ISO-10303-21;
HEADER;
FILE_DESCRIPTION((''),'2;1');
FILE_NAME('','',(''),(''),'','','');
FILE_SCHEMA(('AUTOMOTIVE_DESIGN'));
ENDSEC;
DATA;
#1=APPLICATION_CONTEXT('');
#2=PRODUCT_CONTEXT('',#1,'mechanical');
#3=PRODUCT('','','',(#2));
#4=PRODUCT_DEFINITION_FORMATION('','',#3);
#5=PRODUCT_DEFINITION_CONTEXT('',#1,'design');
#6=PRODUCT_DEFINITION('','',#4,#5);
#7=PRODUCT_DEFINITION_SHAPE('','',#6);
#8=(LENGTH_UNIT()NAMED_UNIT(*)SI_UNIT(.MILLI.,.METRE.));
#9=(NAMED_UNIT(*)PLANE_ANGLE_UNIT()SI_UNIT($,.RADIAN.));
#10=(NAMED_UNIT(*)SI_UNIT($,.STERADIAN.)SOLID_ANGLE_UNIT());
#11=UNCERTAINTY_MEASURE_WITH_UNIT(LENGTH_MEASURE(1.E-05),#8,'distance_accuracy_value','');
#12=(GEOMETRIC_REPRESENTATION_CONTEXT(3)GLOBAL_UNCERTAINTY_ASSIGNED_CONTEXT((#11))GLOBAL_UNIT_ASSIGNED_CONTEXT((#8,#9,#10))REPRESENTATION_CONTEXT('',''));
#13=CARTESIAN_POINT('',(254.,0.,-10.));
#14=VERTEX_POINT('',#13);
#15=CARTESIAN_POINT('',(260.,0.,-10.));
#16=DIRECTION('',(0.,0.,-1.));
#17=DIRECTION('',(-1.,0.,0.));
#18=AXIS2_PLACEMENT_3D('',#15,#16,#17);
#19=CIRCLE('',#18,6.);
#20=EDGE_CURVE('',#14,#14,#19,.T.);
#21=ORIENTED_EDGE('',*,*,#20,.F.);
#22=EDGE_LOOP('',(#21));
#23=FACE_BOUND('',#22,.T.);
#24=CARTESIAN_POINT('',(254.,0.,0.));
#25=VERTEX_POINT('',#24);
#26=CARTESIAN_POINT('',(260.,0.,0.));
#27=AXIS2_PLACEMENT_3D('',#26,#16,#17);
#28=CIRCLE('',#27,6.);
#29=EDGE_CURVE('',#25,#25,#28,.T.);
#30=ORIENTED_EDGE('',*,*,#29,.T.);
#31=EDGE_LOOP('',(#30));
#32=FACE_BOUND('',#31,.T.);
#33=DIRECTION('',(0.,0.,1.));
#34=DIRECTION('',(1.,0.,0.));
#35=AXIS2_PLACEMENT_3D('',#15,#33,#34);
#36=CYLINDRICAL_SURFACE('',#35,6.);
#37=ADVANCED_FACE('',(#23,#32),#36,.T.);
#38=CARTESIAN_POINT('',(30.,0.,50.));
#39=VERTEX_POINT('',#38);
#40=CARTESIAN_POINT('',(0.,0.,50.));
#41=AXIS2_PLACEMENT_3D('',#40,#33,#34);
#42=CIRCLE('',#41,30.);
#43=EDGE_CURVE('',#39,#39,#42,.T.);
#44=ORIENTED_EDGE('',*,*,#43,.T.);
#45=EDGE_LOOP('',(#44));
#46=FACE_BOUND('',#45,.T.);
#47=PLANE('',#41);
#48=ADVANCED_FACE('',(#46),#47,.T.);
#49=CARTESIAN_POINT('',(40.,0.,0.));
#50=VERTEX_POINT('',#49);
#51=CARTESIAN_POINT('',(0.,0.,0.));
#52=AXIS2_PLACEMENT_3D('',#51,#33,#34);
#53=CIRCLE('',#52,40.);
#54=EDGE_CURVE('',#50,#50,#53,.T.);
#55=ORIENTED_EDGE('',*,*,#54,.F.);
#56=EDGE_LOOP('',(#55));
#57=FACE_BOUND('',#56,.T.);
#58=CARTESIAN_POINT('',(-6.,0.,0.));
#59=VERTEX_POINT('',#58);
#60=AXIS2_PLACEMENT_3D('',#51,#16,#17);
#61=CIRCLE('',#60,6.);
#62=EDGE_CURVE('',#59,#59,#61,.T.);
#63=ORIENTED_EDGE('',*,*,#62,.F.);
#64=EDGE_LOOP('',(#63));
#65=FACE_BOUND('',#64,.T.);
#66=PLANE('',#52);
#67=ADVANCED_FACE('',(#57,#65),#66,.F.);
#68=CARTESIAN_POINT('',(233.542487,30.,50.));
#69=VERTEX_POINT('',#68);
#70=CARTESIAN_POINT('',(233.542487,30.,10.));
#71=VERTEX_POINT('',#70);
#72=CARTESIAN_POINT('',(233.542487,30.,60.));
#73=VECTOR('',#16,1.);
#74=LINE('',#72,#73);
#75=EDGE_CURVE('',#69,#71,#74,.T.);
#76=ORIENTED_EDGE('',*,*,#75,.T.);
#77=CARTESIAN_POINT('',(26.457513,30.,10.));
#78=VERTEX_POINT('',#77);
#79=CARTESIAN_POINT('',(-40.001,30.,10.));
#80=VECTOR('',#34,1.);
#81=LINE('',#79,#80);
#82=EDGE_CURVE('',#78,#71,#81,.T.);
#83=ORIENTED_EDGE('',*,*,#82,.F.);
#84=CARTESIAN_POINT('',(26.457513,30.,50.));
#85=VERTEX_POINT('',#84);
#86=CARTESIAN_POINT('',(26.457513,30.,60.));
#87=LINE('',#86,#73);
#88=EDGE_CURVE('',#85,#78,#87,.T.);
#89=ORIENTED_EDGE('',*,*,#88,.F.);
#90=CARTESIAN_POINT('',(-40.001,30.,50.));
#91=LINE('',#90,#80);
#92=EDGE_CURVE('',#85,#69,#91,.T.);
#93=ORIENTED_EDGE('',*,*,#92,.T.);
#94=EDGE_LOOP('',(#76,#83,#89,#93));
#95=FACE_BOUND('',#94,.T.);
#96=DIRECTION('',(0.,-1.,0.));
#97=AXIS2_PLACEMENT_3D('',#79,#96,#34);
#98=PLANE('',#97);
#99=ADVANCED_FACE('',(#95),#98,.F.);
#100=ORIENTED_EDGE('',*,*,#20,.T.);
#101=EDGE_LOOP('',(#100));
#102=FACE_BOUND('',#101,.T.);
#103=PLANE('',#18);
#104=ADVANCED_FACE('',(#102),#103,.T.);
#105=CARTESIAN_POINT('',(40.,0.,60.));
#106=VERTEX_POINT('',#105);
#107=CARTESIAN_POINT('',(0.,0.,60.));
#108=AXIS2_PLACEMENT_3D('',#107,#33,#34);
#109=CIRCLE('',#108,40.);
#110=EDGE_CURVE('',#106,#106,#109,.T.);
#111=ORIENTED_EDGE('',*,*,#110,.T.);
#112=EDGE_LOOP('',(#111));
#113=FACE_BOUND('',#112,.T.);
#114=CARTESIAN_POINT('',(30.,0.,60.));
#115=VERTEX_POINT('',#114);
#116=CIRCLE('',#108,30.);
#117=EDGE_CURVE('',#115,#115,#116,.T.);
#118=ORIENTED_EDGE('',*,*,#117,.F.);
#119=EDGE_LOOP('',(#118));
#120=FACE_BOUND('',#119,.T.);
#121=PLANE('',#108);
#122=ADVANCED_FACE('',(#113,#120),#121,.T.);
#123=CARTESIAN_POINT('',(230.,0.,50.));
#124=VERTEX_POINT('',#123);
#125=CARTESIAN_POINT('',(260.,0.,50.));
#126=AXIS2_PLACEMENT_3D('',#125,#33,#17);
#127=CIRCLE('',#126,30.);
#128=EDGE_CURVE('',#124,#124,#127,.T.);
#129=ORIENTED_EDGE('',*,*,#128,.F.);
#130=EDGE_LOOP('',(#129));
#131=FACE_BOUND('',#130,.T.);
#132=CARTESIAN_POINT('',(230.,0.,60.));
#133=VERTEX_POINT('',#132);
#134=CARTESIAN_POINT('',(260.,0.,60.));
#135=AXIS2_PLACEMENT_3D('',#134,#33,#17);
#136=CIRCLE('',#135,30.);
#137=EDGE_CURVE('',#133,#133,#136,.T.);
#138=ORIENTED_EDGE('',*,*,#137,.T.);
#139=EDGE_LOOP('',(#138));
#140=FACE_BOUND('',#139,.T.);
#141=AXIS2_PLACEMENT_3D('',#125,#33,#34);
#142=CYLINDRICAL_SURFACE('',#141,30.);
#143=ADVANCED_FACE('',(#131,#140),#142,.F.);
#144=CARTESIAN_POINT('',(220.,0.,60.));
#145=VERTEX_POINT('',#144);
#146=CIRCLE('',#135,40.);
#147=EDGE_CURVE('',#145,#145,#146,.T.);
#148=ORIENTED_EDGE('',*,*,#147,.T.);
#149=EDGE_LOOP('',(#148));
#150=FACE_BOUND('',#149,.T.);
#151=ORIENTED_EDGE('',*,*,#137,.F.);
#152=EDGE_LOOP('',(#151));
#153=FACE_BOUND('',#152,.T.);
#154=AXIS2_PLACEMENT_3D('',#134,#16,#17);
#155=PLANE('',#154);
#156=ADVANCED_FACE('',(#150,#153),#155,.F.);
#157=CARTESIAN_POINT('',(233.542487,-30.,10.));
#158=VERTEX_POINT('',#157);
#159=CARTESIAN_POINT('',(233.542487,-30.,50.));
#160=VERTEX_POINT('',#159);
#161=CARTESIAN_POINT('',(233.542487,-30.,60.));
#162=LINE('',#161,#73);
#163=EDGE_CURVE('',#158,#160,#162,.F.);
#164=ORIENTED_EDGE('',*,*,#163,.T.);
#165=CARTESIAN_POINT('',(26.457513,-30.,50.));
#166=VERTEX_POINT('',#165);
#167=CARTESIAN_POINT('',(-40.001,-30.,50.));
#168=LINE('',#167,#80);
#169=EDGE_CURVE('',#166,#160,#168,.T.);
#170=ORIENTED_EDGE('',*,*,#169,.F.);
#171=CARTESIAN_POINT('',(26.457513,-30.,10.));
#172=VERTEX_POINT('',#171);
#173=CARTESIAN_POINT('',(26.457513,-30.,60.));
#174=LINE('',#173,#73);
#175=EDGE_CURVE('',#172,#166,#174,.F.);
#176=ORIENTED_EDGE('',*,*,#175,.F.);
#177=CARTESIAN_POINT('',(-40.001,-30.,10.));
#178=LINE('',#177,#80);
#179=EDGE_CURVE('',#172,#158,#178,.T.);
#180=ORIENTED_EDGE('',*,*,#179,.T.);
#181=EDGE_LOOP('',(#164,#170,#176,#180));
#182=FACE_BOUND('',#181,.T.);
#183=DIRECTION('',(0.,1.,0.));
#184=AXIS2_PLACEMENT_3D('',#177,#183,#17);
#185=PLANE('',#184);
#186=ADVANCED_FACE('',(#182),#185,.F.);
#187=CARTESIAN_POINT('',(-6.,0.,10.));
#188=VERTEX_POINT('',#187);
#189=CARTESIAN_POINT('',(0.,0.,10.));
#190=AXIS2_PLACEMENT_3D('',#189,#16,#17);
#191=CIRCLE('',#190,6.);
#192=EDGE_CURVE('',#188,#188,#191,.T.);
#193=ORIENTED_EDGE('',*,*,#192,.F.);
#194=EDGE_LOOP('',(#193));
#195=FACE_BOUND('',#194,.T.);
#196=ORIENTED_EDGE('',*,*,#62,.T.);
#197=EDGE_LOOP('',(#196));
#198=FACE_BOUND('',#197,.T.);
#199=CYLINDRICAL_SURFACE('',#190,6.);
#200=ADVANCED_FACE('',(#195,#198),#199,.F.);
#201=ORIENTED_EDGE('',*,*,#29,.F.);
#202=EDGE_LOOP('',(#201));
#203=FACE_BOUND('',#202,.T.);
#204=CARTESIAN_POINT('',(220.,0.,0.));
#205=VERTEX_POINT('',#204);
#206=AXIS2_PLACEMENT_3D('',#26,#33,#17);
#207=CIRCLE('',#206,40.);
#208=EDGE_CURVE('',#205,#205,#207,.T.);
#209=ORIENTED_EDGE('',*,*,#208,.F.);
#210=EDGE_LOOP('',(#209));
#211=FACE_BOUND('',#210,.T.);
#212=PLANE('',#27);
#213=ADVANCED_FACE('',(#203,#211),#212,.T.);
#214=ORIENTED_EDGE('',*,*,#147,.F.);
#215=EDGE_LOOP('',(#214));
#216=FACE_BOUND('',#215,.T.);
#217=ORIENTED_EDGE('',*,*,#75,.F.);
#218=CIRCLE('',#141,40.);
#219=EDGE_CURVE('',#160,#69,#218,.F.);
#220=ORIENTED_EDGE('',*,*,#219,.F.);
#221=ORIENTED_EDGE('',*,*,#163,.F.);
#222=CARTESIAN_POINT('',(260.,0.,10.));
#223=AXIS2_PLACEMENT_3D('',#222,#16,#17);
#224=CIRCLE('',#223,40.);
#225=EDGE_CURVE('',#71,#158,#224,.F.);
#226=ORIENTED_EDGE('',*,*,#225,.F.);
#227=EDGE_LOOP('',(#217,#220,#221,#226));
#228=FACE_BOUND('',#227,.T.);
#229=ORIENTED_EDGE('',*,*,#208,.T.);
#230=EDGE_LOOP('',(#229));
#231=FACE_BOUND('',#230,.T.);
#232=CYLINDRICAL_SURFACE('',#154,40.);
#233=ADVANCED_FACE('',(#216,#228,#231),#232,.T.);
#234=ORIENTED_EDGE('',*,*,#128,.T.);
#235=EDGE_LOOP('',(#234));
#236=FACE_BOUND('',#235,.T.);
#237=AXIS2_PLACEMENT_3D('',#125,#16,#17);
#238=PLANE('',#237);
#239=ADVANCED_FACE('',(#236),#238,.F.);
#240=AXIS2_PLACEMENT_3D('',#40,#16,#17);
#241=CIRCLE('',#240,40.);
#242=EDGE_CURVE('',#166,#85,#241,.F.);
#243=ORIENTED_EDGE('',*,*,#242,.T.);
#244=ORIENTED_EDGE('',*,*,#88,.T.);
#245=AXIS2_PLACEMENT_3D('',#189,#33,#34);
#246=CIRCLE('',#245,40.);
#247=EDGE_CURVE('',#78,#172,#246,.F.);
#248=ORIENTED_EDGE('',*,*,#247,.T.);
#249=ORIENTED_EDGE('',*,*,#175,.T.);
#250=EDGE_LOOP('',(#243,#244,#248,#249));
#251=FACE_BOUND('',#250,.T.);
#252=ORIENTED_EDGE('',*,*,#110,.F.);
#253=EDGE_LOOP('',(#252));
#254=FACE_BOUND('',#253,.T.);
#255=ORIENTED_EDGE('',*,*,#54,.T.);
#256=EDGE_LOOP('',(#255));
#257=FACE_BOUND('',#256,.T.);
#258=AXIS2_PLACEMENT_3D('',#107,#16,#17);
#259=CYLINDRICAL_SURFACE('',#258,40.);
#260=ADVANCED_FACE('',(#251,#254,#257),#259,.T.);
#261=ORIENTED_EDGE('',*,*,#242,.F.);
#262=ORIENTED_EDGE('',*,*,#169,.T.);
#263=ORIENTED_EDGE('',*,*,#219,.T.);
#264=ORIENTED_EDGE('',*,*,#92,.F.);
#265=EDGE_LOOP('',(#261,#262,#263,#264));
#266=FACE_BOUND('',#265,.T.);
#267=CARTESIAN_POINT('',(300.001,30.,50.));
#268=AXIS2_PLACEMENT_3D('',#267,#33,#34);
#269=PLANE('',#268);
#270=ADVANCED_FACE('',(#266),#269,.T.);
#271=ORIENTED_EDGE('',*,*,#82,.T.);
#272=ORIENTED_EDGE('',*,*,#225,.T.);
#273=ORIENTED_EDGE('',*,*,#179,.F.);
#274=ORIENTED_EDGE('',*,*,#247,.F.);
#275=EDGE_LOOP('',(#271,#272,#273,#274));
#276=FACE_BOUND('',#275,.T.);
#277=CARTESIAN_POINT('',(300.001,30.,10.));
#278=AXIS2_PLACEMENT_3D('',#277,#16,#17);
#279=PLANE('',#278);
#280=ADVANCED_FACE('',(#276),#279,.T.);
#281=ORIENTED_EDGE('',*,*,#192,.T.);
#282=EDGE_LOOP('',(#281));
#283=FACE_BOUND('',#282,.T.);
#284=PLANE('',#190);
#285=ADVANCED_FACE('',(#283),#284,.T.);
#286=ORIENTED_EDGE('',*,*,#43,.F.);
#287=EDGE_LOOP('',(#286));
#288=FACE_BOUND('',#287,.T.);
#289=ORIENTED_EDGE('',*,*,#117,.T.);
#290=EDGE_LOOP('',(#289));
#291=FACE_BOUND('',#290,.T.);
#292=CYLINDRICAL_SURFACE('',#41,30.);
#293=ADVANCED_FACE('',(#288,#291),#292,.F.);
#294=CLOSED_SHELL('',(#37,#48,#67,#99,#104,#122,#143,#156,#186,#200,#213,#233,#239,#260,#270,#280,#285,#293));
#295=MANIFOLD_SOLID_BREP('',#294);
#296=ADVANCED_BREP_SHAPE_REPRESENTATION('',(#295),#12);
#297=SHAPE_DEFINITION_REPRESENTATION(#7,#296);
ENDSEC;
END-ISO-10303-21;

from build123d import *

# Parameters (mm, degrees)
SKETCH1_R             = 40
BOSS_EXTRUDE1_DEPTH   = 60
BOSS_EXTRUDE1_2_DEPTH = 60
BOSS_EXTRUDE3_START   = -3.447986
SKETCH5_W             = 40
SKETCH5_H             = 60
BOSS_EXTRUDE3_DEPTH   = 207.084974
SKETCH3_R             = 6
CUT_EXTRUDE3_DEPTH    = 10
SKETCH4_R             = 6
BOSS_EXTRUDE4_DEPTH   = 10
SKETCH6_R             = 30
CUT_EXTRUDE4_DEPTH    = 10


with BuildPart() as part:
    # Sketch1 → Boss-Extrude1 (new body)
    with BuildSketch(Plane.XY):
        Circle(SKETCH1_R)
    extrude(amount=BOSS_EXTRUDE1_DEPTH)



with BuildPart() as body_2:
    # Sketch1 → Boss-Extrude1 2 (new body)
    with BuildSketch(Plane.XY):
        with Locations((260, 0)):
            Circle(SKETCH1_R)
    extrude(amount=BOSS_EXTRUDE1_2_DEPTH)


with BuildPart() as part_1:
    add(part.part)

    add(body_2.part)  # Boss-Extrude3 merges body 2
    # Sketch5 → Boss-Extrude3 (add)
    with BuildSketch(Plane.ZY.offset(-230.094500915).offset(BOSS_EXTRUDE3_START)):
        with Locations((30, 0)):
            Rectangle(SKETCH5_W, SKETCH5_H)
    extrude(amount=BOSS_EXTRUDE3_DEPTH)

    # Sketch3 → Cut-Extrude3 (cut)
    with BuildSketch(Plane(origin=(0, 0, 0), x_dir=(-1, 0, 0), z_dir=(0, 0, -1))):
        Circle(SKETCH3_R)
    extrude(amount=-CUT_EXTRUDE3_DEPTH, mode=Mode.SUBTRACT)

    # Sketch4 → Boss-Extrude4 (add)
    with BuildSketch(Plane(origin=(0, 0, 0), x_dir=(-1, 0, 0), z_dir=(0, 0, -1))):
        with Locations((-260, 0)):
            Circle(SKETCH4_R)
    extrude(amount=BOSS_EXTRUDE4_DEPTH)

    # Sketch6 → Cut-Extrude4 (cut)
    with BuildSketch(Plane.XY.offset(60)):
        Circle(SKETCH6_R)
        with Locations((260, 0)):
            Circle(SKETCH6_R)
    extrude(amount=-CUT_EXTRUDE4_DEPTH, mode=Mode.SUBTRACT)


solid = part_1.part
